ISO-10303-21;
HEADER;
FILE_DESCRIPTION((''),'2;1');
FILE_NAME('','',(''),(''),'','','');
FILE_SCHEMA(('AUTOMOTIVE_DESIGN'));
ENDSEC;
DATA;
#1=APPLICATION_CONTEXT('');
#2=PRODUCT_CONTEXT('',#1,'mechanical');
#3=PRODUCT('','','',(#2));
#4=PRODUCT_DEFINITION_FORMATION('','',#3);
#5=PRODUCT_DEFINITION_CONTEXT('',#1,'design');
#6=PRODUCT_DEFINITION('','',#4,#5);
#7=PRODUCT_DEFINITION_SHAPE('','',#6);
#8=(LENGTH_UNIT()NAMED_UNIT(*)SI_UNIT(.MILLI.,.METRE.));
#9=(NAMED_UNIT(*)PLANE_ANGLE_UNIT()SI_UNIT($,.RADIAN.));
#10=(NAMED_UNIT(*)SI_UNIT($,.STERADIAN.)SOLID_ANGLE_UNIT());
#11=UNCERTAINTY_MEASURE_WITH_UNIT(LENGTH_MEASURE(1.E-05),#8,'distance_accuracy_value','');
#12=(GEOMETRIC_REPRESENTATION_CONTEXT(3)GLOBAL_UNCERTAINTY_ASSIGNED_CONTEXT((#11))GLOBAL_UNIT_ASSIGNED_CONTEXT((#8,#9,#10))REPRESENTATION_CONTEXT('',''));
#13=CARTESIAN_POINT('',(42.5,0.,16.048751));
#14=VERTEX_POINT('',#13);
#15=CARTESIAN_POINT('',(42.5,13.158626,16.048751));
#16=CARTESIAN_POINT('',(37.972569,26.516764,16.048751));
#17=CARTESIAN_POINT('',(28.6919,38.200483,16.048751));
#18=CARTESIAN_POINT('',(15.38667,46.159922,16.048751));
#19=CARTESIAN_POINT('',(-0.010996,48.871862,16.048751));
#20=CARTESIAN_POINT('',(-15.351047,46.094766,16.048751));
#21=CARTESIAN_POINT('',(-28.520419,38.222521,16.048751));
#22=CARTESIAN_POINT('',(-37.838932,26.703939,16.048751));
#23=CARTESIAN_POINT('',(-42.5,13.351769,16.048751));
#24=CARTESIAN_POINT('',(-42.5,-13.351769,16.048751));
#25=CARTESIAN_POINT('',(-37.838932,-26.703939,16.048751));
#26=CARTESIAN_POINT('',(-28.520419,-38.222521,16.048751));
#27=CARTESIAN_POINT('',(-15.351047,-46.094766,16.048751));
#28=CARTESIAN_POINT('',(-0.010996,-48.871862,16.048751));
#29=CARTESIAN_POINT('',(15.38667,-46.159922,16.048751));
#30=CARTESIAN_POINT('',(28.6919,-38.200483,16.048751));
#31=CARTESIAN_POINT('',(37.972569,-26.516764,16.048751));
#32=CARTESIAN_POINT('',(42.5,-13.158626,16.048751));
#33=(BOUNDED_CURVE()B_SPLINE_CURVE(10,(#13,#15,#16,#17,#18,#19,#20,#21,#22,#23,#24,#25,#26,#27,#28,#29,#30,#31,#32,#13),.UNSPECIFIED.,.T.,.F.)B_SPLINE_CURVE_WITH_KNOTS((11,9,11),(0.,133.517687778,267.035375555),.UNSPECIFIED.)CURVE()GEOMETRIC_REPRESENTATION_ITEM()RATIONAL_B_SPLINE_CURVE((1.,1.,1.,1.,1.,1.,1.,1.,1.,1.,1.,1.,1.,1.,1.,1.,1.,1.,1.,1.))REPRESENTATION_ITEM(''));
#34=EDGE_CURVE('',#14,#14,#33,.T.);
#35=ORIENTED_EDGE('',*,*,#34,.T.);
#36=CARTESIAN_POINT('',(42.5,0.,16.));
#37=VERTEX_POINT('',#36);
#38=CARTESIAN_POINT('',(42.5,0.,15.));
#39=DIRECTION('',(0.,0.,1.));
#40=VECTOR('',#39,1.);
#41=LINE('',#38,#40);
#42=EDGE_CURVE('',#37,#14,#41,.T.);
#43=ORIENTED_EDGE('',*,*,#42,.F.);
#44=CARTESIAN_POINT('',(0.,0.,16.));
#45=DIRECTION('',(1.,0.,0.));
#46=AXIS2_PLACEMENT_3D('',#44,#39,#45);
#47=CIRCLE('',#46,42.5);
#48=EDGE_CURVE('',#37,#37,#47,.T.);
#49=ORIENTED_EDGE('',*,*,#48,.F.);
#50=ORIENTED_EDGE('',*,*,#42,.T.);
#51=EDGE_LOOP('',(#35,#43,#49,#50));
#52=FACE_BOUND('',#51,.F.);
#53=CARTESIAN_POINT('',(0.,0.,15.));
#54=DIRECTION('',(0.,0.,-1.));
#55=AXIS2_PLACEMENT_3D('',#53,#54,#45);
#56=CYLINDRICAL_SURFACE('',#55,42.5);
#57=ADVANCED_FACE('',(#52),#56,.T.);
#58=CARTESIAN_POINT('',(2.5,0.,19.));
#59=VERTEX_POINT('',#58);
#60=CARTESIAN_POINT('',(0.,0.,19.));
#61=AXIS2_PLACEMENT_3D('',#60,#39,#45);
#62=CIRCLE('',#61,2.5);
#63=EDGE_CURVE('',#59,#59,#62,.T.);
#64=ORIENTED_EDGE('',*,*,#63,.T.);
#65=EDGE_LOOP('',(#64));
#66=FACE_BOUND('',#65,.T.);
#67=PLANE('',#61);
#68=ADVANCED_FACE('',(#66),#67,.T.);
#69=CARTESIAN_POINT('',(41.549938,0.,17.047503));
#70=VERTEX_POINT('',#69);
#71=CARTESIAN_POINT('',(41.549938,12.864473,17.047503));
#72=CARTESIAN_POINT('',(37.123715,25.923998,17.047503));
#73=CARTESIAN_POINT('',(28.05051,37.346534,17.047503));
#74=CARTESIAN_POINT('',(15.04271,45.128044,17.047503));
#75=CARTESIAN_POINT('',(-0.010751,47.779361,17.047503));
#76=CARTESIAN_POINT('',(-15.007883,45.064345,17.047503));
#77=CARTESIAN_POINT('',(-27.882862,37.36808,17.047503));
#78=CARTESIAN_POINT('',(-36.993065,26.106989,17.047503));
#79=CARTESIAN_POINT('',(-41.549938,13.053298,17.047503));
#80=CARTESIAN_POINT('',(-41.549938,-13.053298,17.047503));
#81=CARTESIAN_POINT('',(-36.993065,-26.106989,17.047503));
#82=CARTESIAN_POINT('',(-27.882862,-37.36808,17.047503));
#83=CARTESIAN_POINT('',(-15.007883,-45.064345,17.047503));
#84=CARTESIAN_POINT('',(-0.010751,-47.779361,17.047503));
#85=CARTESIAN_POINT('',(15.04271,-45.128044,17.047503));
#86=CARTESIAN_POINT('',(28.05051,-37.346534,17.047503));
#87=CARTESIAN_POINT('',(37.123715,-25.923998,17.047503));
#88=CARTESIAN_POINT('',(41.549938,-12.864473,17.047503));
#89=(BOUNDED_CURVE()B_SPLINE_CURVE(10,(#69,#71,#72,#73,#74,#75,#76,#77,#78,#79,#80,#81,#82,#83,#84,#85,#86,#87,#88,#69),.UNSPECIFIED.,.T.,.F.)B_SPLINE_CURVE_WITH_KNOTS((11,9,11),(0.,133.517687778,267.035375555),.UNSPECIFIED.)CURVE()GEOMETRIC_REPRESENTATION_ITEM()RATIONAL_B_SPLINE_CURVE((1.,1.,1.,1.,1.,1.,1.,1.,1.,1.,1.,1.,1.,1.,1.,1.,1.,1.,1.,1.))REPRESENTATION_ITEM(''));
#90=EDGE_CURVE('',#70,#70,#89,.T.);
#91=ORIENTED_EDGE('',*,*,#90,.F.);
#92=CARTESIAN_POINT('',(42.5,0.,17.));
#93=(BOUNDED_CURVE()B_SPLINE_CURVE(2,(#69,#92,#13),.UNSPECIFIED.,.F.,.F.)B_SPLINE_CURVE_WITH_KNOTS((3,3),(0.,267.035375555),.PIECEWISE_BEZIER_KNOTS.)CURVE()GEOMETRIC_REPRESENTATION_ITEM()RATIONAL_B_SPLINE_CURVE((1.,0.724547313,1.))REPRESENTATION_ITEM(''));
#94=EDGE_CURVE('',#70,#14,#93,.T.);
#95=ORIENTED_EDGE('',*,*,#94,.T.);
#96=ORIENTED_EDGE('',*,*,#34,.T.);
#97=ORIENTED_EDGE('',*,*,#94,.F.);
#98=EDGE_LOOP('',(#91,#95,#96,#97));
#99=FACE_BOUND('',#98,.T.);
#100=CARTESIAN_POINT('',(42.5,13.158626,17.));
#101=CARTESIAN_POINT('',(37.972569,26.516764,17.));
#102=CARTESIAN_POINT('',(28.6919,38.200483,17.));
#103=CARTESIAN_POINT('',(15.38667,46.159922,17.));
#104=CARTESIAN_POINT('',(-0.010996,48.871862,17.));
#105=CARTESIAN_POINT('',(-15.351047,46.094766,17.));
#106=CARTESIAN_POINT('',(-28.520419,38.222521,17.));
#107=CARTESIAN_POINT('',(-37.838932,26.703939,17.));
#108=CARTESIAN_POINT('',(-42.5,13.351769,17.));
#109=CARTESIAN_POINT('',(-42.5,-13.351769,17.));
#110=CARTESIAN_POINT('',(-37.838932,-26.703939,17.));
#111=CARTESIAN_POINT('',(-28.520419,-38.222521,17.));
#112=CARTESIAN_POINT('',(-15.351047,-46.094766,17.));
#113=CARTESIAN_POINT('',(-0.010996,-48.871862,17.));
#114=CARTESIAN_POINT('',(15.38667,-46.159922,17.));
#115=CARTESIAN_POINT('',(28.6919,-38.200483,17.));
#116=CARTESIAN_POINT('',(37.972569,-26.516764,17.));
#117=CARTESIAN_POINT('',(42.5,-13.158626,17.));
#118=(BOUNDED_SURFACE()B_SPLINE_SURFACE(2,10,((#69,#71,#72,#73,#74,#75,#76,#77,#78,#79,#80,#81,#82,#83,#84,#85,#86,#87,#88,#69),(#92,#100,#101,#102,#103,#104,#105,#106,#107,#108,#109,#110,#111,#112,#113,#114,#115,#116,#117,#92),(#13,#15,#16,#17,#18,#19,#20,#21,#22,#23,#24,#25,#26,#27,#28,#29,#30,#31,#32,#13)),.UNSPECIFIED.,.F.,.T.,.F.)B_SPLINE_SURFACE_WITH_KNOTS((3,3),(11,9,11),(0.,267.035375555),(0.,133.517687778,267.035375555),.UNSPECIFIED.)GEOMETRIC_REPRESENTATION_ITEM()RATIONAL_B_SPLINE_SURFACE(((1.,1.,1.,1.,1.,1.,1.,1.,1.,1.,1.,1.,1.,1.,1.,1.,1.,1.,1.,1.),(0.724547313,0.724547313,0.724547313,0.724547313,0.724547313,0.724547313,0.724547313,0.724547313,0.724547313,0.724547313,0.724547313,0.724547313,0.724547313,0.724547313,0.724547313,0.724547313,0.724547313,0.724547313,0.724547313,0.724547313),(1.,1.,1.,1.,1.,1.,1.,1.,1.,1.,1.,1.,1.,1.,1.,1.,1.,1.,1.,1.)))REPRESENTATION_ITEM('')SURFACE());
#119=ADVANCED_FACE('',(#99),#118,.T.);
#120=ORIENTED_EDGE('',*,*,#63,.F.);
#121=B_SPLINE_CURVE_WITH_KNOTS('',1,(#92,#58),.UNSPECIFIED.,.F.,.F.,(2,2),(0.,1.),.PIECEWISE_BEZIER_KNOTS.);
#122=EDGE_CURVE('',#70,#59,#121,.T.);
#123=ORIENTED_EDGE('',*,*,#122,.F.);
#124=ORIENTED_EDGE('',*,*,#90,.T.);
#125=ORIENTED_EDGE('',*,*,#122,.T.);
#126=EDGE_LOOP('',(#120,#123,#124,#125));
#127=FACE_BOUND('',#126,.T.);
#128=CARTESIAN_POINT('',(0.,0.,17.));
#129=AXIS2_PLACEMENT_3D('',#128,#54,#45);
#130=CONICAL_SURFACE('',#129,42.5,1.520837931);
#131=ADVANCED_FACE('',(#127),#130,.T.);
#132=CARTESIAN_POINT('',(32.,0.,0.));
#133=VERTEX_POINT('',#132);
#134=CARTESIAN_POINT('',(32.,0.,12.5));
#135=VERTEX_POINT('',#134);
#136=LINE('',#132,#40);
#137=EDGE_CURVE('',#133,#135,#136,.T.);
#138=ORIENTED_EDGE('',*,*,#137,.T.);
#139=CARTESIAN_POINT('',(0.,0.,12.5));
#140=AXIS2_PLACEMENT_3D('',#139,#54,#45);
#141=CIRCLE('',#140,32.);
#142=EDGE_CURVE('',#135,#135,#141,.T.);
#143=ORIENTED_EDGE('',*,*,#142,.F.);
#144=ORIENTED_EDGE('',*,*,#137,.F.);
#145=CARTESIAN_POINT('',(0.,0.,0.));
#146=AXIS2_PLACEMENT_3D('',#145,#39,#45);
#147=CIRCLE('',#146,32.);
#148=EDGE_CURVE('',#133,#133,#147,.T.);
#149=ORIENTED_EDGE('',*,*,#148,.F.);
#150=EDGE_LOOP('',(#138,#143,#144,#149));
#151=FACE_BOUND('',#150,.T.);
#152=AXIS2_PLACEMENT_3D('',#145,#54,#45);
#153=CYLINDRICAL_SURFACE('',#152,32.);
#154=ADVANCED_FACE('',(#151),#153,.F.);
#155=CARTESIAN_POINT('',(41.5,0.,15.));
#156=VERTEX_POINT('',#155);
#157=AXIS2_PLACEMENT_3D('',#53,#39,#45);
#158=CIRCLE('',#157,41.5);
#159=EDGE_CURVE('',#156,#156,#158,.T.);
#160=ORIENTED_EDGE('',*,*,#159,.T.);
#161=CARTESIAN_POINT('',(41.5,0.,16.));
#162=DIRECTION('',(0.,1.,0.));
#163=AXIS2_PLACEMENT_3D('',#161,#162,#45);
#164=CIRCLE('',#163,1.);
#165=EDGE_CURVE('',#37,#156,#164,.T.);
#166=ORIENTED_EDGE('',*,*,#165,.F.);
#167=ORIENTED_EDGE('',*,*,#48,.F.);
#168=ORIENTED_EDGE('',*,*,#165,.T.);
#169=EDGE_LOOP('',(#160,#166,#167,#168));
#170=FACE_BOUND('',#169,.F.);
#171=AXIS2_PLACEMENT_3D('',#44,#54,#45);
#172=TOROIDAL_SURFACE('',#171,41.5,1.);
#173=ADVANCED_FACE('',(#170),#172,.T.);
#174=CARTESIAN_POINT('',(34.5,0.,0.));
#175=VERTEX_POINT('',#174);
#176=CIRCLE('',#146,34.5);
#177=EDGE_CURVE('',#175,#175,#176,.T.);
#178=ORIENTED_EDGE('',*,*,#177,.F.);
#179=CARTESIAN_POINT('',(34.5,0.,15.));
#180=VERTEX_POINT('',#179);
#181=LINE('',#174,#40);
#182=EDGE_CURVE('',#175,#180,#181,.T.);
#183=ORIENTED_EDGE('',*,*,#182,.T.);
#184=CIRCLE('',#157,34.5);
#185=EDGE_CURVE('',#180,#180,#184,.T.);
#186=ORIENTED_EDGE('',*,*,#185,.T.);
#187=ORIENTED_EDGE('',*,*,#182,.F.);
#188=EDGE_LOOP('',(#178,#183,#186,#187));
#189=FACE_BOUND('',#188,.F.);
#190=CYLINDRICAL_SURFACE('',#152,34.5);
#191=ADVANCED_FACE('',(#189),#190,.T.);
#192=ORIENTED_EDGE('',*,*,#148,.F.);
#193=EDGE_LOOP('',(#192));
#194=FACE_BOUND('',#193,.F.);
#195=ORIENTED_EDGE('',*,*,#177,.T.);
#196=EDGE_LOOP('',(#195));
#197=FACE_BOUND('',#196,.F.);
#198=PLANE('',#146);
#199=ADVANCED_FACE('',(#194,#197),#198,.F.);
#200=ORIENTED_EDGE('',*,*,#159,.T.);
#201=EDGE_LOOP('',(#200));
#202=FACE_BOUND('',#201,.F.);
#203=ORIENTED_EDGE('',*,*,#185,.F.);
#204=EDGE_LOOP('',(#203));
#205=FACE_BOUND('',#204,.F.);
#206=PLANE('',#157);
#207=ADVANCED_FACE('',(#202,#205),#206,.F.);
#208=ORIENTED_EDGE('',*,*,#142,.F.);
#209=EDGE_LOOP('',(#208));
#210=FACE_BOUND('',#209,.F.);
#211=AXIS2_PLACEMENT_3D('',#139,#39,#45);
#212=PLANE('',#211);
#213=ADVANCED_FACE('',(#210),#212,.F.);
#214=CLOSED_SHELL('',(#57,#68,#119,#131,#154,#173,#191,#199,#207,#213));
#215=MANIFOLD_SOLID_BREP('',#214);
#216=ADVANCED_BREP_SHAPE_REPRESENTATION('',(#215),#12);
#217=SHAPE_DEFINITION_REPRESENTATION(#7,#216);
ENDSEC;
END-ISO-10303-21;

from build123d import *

# Parameters (mm, degrees)
F0_R      = 34.5
F1_DEPTH  = 15
F2_T      = -2.5
F3_R      = 42.5
F3_R_2    = 34.5
F4_DEPTH  = 2
F4_FACE_R = 42.5
F6_R      = 2.5
F8_R      = 1
F9_R      = 1


with BuildPart() as f1:
    # F0 (on Top) → F1 (new body)
    with BuildSketch(Plane.XY):
        Circle(F0_R)
    extrude(amount=F1_DEPTH)

    # F2
    f2_openings = [f1.faces().sort_by_distance(p)[0] for p in [
        (0, 0, 0),
    ]]
    offset(amount=F2_T, openings=f2_openings)

    # F3 (on face) → F4 (join)
    with BuildSketch(Plane.XY.offset(15)):
        Circle(F3_R)
        Circle(F3_R_2, mode=Mode.SUBTRACT)
        Circle(F3_R_2)
    extrude(amount=F4_DEPTH)

    # F4_face (on face) → F7 section 0
    with BuildSketch(Plane.XY.offset(17)):
        Circle(F4_FACE_R)
    # F6 (on offset) → F7 section 1
    with BuildSketch(Plane.XY.offset(19)):
        Circle(F6_R)
    loft()

    # F8
    f8_edges = [f1.edges().sort_by_distance(p)[0] for p in [
        (-42.5, 0, 17),
    ]]
    fillet(f8_edges, radius=F8_R)

    # F9
    f9_edges = [f1.edges().sort_by_distance(p)[0] for p in [
        (-42.5, 0, 15),
    ]]
    fillet(f9_edges, radius=F9_R)


solid = f1.part
